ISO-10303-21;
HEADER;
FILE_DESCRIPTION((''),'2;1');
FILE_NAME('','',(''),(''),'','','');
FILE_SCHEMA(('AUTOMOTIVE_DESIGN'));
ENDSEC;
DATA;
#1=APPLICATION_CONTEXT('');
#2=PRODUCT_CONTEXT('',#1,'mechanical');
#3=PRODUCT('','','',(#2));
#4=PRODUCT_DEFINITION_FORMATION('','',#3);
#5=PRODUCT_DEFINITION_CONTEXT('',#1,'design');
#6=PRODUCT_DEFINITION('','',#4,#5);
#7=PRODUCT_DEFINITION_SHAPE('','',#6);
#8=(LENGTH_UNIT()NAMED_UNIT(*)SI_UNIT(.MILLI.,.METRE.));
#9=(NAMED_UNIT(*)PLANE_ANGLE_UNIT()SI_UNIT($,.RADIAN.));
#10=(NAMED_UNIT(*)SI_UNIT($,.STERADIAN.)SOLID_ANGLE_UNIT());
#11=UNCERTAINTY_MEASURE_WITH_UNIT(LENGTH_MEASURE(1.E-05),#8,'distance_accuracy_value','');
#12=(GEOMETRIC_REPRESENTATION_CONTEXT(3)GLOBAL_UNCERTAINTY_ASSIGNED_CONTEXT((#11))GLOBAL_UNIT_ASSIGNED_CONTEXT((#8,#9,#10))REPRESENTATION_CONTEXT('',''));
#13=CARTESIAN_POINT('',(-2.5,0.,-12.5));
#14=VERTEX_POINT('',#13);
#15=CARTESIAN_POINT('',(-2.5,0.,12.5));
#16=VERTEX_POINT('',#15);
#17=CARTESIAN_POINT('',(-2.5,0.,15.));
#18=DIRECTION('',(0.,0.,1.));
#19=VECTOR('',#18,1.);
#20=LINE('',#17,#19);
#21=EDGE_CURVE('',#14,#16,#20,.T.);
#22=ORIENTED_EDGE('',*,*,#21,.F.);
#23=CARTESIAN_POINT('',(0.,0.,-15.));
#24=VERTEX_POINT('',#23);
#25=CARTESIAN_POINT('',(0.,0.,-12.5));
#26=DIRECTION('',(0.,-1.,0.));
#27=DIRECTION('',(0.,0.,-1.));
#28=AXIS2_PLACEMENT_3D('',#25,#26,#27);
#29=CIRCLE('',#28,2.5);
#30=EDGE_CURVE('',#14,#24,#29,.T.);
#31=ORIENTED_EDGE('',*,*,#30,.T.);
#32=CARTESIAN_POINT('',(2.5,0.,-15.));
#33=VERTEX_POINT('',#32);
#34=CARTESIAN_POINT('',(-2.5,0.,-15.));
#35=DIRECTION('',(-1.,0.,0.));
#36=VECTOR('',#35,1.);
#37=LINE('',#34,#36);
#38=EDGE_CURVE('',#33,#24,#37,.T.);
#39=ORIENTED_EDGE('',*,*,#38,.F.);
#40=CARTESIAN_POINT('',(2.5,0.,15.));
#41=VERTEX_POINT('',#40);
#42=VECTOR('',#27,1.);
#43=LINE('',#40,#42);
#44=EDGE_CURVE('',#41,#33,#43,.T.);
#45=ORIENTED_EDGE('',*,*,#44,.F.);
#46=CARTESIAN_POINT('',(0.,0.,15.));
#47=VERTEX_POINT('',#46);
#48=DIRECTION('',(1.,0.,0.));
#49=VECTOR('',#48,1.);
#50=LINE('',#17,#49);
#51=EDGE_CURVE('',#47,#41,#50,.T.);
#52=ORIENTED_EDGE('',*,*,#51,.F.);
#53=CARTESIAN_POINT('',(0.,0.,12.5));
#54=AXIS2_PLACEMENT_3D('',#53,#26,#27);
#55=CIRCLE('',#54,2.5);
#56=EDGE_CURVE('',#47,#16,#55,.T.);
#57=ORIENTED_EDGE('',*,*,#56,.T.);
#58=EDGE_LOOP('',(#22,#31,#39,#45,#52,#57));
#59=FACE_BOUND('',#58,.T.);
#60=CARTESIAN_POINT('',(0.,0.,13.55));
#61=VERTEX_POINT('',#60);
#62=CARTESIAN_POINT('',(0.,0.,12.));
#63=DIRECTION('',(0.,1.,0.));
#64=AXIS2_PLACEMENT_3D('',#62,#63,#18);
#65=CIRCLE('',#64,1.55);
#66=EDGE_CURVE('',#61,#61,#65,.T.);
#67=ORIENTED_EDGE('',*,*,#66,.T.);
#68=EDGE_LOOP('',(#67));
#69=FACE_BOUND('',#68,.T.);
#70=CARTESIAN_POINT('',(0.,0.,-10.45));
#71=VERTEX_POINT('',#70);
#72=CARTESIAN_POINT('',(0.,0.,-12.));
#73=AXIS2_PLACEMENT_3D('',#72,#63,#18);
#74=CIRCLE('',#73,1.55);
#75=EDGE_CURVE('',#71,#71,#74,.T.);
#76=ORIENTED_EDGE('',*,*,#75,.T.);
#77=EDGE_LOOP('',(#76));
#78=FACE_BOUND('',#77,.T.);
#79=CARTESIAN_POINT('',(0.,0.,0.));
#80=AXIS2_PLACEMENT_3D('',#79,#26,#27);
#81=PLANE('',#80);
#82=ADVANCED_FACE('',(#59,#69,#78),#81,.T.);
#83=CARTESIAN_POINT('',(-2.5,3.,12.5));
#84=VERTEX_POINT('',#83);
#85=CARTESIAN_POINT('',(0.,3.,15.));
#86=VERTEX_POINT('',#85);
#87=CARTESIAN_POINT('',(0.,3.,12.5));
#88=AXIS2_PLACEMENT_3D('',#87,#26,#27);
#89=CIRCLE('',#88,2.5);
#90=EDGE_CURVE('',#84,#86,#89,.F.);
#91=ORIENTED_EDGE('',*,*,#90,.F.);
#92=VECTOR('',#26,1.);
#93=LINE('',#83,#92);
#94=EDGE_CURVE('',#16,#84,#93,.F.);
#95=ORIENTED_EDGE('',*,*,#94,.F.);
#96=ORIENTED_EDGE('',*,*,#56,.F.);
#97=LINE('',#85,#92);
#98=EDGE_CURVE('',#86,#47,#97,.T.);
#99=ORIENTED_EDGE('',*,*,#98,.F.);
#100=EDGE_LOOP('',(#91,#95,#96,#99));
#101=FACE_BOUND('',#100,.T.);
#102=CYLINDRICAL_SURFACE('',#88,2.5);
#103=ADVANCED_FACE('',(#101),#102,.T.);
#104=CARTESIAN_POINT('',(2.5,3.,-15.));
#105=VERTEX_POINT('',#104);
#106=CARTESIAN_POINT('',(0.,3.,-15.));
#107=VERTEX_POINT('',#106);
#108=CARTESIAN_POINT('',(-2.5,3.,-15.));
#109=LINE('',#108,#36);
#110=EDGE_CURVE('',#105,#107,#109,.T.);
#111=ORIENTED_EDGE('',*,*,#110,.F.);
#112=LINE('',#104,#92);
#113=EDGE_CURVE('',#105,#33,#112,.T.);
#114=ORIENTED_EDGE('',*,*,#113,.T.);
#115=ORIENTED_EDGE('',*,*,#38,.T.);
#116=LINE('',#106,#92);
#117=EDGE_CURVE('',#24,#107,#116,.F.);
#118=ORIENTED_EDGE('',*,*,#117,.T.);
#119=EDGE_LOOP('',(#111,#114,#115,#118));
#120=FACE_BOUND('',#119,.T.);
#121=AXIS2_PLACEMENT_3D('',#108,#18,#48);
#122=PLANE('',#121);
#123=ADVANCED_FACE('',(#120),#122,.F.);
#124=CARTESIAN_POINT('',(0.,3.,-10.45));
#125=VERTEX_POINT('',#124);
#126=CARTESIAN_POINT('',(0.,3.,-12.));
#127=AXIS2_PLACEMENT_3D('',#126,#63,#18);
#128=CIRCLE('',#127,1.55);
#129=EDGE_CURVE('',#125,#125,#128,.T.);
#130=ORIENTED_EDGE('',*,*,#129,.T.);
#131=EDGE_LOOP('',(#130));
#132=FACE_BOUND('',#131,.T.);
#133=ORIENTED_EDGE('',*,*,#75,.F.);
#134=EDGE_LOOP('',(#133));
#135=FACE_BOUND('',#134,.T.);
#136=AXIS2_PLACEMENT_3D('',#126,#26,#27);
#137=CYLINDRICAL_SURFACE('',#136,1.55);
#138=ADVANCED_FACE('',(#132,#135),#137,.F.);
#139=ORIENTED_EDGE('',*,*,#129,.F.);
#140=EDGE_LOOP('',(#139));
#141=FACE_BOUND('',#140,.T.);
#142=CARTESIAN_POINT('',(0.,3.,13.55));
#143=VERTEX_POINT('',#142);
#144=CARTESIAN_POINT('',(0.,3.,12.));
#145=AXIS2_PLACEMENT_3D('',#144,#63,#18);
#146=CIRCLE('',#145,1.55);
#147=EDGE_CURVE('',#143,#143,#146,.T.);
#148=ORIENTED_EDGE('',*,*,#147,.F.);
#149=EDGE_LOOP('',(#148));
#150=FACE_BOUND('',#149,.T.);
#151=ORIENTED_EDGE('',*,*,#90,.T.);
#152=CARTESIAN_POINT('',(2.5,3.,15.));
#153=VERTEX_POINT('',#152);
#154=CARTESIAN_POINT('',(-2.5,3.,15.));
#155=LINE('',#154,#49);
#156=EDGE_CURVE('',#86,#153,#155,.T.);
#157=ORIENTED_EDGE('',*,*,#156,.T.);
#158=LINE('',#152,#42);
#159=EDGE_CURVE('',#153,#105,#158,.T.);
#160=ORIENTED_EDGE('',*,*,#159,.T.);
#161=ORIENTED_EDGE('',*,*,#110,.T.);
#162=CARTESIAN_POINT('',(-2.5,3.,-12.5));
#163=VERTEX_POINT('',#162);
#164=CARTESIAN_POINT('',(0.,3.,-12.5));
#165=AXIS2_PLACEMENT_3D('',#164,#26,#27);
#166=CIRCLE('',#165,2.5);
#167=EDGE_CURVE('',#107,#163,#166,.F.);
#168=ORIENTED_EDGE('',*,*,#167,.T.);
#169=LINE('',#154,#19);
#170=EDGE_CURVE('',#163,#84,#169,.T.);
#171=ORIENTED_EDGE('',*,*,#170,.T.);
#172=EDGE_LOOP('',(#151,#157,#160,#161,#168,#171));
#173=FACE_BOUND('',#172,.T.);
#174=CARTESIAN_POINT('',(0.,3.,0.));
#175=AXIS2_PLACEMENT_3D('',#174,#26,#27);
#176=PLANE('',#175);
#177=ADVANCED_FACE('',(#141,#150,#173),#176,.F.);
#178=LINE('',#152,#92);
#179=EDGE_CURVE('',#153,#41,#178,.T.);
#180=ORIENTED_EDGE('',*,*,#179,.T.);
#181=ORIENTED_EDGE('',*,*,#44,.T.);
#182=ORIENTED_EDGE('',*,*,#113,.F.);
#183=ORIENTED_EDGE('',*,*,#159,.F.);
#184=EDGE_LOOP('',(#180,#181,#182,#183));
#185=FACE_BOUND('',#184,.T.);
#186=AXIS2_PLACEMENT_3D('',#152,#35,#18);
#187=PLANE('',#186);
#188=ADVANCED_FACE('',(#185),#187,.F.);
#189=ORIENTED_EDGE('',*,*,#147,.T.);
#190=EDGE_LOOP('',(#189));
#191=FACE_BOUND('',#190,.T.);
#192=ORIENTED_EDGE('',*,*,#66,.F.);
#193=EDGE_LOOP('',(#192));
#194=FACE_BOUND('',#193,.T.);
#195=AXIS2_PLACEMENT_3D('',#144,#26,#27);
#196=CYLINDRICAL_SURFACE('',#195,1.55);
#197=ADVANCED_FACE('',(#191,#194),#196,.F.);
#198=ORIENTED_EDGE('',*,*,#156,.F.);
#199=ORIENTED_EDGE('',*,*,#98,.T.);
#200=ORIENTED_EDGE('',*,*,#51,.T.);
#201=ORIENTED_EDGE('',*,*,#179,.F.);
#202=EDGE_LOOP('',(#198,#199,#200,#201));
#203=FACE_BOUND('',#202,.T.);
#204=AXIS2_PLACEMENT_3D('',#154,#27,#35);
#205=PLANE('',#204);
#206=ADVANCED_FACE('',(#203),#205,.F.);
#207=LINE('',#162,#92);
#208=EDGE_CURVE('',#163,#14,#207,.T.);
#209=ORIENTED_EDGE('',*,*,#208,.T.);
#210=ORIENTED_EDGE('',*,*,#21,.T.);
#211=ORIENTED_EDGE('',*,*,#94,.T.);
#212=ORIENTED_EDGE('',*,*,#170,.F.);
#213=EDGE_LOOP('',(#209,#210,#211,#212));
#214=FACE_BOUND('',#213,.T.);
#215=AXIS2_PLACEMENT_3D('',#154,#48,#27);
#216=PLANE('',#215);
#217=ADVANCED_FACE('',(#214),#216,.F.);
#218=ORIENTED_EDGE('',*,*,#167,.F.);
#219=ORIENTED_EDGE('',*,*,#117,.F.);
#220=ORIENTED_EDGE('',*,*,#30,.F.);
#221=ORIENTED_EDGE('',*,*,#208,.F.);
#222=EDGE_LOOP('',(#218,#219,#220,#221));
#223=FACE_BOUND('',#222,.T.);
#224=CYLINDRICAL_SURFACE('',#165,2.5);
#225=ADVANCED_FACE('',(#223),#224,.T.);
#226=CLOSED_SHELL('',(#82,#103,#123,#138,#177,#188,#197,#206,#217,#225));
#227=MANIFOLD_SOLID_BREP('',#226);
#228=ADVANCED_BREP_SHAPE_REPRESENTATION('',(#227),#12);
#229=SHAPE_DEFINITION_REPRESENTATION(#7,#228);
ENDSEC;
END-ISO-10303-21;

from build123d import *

# Parameters (mm, degrees)
SKETCH1_W           = 5
SKETCH1_H           = 30
SKETCH1_R           = 1.55
BOSS_EXTRUDE1_DEPTH = 3
FILLET1_R           = 2.5


with BuildPart() as part:
    # Sketch1 → Boss-Extrude1 (new body)
    with BuildSketch(Plane(origin=(0, 0, 0), x_dir=(1, 0, 0), z_dir=(0, 1, 0))):
        Rectangle(SKETCH1_W, SKETCH1_H)
        with Locations(Location((0, 12, 0), (0, 0, 270))):
            Circle(SKETCH1_R, mode=Mode.SUBTRACT)
        with Locations(Location((0, -12, 0), (0, 0, 270))):
            Circle(SKETCH1_R, mode=Mode.SUBTRACT)
    extrude(amount=BOSS_EXTRUDE1_DEPTH)

    # Fillet1
    fillet1_edges = [part.edges().sort_by_distance(p)[0] for p in [
        (-2.5, 1.5, 15),
        (-2.5, 1.5, -15),
    ]]
    fillet(fillet1_edges, radius=FILLET1_R)


solid = part.part
